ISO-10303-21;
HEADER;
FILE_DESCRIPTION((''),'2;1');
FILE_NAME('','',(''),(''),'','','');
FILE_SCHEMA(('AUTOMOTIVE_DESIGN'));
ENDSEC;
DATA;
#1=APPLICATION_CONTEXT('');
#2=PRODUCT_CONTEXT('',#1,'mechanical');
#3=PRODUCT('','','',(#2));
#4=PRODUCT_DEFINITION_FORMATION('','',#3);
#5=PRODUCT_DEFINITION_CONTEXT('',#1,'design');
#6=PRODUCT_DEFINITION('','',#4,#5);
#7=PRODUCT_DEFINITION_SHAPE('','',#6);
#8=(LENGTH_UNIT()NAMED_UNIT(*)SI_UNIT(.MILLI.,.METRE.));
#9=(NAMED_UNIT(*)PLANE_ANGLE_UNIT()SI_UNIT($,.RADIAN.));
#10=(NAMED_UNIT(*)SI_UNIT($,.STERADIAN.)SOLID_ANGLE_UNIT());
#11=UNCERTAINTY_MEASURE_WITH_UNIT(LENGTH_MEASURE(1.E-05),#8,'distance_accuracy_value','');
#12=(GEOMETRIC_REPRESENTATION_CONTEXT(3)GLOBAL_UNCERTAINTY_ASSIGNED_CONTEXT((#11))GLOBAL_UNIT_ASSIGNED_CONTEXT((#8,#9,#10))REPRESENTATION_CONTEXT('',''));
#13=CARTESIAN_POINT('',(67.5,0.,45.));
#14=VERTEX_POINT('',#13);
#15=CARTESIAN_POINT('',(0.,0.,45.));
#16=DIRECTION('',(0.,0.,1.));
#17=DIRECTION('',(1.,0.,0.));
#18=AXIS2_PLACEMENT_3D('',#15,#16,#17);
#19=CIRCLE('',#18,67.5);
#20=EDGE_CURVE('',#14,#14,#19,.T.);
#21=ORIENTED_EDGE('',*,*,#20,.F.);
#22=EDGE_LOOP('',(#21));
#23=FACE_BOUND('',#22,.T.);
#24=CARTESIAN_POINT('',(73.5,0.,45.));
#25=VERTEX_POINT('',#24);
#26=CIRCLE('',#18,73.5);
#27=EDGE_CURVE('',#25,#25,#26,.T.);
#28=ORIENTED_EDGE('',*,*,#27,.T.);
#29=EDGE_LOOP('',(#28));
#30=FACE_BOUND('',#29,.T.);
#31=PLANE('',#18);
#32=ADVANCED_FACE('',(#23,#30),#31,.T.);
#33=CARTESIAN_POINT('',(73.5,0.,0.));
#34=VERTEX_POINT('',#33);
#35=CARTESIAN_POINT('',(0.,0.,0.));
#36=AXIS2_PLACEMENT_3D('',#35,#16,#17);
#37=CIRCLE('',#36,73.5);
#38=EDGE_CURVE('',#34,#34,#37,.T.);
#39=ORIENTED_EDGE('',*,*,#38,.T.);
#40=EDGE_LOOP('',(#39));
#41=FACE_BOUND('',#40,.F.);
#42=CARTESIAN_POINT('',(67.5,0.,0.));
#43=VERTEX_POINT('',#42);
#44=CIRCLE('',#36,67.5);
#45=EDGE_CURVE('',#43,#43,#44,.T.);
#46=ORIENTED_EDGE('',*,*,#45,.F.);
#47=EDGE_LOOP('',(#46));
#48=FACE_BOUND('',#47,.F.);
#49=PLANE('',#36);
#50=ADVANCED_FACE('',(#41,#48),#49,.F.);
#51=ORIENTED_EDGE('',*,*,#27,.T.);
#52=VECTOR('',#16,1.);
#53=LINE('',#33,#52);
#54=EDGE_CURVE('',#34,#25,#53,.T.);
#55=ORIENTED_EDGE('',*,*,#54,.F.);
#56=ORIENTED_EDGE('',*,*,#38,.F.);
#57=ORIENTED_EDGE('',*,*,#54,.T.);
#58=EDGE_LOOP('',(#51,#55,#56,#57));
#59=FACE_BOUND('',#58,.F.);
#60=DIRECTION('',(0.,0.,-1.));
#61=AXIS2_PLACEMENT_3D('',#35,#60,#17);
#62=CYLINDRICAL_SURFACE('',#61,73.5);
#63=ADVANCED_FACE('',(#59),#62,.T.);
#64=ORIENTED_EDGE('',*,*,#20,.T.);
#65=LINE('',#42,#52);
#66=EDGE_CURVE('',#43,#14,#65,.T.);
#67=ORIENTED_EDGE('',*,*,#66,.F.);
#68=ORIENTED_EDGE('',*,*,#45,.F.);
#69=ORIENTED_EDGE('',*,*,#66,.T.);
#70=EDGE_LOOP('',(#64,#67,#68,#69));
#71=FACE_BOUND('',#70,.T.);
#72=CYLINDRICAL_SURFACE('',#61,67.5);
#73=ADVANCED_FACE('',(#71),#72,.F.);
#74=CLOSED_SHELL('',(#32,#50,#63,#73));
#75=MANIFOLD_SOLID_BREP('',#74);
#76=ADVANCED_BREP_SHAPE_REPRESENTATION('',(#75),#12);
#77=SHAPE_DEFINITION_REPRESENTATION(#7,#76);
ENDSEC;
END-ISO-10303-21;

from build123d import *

# Parameters (mm, degrees)
F0_R     = 73.5
F0_R_2   = 70.5
F0_R_3   = 67.5
F3_DEPTH = 45


with BuildPart() as f3:
    # F0 (on Top) → F3 (new body)
    with BuildSketch(Plane.XY):
        Circle(F0_R)
        Circle(F0_R_2, mode=Mode.SUBTRACT)
        Circle(F0_R_2)
        Circle(F0_R_3, mode=Mode.SUBTRACT)
    extrude(amount=F3_DEPTH)


solid = f3.part
